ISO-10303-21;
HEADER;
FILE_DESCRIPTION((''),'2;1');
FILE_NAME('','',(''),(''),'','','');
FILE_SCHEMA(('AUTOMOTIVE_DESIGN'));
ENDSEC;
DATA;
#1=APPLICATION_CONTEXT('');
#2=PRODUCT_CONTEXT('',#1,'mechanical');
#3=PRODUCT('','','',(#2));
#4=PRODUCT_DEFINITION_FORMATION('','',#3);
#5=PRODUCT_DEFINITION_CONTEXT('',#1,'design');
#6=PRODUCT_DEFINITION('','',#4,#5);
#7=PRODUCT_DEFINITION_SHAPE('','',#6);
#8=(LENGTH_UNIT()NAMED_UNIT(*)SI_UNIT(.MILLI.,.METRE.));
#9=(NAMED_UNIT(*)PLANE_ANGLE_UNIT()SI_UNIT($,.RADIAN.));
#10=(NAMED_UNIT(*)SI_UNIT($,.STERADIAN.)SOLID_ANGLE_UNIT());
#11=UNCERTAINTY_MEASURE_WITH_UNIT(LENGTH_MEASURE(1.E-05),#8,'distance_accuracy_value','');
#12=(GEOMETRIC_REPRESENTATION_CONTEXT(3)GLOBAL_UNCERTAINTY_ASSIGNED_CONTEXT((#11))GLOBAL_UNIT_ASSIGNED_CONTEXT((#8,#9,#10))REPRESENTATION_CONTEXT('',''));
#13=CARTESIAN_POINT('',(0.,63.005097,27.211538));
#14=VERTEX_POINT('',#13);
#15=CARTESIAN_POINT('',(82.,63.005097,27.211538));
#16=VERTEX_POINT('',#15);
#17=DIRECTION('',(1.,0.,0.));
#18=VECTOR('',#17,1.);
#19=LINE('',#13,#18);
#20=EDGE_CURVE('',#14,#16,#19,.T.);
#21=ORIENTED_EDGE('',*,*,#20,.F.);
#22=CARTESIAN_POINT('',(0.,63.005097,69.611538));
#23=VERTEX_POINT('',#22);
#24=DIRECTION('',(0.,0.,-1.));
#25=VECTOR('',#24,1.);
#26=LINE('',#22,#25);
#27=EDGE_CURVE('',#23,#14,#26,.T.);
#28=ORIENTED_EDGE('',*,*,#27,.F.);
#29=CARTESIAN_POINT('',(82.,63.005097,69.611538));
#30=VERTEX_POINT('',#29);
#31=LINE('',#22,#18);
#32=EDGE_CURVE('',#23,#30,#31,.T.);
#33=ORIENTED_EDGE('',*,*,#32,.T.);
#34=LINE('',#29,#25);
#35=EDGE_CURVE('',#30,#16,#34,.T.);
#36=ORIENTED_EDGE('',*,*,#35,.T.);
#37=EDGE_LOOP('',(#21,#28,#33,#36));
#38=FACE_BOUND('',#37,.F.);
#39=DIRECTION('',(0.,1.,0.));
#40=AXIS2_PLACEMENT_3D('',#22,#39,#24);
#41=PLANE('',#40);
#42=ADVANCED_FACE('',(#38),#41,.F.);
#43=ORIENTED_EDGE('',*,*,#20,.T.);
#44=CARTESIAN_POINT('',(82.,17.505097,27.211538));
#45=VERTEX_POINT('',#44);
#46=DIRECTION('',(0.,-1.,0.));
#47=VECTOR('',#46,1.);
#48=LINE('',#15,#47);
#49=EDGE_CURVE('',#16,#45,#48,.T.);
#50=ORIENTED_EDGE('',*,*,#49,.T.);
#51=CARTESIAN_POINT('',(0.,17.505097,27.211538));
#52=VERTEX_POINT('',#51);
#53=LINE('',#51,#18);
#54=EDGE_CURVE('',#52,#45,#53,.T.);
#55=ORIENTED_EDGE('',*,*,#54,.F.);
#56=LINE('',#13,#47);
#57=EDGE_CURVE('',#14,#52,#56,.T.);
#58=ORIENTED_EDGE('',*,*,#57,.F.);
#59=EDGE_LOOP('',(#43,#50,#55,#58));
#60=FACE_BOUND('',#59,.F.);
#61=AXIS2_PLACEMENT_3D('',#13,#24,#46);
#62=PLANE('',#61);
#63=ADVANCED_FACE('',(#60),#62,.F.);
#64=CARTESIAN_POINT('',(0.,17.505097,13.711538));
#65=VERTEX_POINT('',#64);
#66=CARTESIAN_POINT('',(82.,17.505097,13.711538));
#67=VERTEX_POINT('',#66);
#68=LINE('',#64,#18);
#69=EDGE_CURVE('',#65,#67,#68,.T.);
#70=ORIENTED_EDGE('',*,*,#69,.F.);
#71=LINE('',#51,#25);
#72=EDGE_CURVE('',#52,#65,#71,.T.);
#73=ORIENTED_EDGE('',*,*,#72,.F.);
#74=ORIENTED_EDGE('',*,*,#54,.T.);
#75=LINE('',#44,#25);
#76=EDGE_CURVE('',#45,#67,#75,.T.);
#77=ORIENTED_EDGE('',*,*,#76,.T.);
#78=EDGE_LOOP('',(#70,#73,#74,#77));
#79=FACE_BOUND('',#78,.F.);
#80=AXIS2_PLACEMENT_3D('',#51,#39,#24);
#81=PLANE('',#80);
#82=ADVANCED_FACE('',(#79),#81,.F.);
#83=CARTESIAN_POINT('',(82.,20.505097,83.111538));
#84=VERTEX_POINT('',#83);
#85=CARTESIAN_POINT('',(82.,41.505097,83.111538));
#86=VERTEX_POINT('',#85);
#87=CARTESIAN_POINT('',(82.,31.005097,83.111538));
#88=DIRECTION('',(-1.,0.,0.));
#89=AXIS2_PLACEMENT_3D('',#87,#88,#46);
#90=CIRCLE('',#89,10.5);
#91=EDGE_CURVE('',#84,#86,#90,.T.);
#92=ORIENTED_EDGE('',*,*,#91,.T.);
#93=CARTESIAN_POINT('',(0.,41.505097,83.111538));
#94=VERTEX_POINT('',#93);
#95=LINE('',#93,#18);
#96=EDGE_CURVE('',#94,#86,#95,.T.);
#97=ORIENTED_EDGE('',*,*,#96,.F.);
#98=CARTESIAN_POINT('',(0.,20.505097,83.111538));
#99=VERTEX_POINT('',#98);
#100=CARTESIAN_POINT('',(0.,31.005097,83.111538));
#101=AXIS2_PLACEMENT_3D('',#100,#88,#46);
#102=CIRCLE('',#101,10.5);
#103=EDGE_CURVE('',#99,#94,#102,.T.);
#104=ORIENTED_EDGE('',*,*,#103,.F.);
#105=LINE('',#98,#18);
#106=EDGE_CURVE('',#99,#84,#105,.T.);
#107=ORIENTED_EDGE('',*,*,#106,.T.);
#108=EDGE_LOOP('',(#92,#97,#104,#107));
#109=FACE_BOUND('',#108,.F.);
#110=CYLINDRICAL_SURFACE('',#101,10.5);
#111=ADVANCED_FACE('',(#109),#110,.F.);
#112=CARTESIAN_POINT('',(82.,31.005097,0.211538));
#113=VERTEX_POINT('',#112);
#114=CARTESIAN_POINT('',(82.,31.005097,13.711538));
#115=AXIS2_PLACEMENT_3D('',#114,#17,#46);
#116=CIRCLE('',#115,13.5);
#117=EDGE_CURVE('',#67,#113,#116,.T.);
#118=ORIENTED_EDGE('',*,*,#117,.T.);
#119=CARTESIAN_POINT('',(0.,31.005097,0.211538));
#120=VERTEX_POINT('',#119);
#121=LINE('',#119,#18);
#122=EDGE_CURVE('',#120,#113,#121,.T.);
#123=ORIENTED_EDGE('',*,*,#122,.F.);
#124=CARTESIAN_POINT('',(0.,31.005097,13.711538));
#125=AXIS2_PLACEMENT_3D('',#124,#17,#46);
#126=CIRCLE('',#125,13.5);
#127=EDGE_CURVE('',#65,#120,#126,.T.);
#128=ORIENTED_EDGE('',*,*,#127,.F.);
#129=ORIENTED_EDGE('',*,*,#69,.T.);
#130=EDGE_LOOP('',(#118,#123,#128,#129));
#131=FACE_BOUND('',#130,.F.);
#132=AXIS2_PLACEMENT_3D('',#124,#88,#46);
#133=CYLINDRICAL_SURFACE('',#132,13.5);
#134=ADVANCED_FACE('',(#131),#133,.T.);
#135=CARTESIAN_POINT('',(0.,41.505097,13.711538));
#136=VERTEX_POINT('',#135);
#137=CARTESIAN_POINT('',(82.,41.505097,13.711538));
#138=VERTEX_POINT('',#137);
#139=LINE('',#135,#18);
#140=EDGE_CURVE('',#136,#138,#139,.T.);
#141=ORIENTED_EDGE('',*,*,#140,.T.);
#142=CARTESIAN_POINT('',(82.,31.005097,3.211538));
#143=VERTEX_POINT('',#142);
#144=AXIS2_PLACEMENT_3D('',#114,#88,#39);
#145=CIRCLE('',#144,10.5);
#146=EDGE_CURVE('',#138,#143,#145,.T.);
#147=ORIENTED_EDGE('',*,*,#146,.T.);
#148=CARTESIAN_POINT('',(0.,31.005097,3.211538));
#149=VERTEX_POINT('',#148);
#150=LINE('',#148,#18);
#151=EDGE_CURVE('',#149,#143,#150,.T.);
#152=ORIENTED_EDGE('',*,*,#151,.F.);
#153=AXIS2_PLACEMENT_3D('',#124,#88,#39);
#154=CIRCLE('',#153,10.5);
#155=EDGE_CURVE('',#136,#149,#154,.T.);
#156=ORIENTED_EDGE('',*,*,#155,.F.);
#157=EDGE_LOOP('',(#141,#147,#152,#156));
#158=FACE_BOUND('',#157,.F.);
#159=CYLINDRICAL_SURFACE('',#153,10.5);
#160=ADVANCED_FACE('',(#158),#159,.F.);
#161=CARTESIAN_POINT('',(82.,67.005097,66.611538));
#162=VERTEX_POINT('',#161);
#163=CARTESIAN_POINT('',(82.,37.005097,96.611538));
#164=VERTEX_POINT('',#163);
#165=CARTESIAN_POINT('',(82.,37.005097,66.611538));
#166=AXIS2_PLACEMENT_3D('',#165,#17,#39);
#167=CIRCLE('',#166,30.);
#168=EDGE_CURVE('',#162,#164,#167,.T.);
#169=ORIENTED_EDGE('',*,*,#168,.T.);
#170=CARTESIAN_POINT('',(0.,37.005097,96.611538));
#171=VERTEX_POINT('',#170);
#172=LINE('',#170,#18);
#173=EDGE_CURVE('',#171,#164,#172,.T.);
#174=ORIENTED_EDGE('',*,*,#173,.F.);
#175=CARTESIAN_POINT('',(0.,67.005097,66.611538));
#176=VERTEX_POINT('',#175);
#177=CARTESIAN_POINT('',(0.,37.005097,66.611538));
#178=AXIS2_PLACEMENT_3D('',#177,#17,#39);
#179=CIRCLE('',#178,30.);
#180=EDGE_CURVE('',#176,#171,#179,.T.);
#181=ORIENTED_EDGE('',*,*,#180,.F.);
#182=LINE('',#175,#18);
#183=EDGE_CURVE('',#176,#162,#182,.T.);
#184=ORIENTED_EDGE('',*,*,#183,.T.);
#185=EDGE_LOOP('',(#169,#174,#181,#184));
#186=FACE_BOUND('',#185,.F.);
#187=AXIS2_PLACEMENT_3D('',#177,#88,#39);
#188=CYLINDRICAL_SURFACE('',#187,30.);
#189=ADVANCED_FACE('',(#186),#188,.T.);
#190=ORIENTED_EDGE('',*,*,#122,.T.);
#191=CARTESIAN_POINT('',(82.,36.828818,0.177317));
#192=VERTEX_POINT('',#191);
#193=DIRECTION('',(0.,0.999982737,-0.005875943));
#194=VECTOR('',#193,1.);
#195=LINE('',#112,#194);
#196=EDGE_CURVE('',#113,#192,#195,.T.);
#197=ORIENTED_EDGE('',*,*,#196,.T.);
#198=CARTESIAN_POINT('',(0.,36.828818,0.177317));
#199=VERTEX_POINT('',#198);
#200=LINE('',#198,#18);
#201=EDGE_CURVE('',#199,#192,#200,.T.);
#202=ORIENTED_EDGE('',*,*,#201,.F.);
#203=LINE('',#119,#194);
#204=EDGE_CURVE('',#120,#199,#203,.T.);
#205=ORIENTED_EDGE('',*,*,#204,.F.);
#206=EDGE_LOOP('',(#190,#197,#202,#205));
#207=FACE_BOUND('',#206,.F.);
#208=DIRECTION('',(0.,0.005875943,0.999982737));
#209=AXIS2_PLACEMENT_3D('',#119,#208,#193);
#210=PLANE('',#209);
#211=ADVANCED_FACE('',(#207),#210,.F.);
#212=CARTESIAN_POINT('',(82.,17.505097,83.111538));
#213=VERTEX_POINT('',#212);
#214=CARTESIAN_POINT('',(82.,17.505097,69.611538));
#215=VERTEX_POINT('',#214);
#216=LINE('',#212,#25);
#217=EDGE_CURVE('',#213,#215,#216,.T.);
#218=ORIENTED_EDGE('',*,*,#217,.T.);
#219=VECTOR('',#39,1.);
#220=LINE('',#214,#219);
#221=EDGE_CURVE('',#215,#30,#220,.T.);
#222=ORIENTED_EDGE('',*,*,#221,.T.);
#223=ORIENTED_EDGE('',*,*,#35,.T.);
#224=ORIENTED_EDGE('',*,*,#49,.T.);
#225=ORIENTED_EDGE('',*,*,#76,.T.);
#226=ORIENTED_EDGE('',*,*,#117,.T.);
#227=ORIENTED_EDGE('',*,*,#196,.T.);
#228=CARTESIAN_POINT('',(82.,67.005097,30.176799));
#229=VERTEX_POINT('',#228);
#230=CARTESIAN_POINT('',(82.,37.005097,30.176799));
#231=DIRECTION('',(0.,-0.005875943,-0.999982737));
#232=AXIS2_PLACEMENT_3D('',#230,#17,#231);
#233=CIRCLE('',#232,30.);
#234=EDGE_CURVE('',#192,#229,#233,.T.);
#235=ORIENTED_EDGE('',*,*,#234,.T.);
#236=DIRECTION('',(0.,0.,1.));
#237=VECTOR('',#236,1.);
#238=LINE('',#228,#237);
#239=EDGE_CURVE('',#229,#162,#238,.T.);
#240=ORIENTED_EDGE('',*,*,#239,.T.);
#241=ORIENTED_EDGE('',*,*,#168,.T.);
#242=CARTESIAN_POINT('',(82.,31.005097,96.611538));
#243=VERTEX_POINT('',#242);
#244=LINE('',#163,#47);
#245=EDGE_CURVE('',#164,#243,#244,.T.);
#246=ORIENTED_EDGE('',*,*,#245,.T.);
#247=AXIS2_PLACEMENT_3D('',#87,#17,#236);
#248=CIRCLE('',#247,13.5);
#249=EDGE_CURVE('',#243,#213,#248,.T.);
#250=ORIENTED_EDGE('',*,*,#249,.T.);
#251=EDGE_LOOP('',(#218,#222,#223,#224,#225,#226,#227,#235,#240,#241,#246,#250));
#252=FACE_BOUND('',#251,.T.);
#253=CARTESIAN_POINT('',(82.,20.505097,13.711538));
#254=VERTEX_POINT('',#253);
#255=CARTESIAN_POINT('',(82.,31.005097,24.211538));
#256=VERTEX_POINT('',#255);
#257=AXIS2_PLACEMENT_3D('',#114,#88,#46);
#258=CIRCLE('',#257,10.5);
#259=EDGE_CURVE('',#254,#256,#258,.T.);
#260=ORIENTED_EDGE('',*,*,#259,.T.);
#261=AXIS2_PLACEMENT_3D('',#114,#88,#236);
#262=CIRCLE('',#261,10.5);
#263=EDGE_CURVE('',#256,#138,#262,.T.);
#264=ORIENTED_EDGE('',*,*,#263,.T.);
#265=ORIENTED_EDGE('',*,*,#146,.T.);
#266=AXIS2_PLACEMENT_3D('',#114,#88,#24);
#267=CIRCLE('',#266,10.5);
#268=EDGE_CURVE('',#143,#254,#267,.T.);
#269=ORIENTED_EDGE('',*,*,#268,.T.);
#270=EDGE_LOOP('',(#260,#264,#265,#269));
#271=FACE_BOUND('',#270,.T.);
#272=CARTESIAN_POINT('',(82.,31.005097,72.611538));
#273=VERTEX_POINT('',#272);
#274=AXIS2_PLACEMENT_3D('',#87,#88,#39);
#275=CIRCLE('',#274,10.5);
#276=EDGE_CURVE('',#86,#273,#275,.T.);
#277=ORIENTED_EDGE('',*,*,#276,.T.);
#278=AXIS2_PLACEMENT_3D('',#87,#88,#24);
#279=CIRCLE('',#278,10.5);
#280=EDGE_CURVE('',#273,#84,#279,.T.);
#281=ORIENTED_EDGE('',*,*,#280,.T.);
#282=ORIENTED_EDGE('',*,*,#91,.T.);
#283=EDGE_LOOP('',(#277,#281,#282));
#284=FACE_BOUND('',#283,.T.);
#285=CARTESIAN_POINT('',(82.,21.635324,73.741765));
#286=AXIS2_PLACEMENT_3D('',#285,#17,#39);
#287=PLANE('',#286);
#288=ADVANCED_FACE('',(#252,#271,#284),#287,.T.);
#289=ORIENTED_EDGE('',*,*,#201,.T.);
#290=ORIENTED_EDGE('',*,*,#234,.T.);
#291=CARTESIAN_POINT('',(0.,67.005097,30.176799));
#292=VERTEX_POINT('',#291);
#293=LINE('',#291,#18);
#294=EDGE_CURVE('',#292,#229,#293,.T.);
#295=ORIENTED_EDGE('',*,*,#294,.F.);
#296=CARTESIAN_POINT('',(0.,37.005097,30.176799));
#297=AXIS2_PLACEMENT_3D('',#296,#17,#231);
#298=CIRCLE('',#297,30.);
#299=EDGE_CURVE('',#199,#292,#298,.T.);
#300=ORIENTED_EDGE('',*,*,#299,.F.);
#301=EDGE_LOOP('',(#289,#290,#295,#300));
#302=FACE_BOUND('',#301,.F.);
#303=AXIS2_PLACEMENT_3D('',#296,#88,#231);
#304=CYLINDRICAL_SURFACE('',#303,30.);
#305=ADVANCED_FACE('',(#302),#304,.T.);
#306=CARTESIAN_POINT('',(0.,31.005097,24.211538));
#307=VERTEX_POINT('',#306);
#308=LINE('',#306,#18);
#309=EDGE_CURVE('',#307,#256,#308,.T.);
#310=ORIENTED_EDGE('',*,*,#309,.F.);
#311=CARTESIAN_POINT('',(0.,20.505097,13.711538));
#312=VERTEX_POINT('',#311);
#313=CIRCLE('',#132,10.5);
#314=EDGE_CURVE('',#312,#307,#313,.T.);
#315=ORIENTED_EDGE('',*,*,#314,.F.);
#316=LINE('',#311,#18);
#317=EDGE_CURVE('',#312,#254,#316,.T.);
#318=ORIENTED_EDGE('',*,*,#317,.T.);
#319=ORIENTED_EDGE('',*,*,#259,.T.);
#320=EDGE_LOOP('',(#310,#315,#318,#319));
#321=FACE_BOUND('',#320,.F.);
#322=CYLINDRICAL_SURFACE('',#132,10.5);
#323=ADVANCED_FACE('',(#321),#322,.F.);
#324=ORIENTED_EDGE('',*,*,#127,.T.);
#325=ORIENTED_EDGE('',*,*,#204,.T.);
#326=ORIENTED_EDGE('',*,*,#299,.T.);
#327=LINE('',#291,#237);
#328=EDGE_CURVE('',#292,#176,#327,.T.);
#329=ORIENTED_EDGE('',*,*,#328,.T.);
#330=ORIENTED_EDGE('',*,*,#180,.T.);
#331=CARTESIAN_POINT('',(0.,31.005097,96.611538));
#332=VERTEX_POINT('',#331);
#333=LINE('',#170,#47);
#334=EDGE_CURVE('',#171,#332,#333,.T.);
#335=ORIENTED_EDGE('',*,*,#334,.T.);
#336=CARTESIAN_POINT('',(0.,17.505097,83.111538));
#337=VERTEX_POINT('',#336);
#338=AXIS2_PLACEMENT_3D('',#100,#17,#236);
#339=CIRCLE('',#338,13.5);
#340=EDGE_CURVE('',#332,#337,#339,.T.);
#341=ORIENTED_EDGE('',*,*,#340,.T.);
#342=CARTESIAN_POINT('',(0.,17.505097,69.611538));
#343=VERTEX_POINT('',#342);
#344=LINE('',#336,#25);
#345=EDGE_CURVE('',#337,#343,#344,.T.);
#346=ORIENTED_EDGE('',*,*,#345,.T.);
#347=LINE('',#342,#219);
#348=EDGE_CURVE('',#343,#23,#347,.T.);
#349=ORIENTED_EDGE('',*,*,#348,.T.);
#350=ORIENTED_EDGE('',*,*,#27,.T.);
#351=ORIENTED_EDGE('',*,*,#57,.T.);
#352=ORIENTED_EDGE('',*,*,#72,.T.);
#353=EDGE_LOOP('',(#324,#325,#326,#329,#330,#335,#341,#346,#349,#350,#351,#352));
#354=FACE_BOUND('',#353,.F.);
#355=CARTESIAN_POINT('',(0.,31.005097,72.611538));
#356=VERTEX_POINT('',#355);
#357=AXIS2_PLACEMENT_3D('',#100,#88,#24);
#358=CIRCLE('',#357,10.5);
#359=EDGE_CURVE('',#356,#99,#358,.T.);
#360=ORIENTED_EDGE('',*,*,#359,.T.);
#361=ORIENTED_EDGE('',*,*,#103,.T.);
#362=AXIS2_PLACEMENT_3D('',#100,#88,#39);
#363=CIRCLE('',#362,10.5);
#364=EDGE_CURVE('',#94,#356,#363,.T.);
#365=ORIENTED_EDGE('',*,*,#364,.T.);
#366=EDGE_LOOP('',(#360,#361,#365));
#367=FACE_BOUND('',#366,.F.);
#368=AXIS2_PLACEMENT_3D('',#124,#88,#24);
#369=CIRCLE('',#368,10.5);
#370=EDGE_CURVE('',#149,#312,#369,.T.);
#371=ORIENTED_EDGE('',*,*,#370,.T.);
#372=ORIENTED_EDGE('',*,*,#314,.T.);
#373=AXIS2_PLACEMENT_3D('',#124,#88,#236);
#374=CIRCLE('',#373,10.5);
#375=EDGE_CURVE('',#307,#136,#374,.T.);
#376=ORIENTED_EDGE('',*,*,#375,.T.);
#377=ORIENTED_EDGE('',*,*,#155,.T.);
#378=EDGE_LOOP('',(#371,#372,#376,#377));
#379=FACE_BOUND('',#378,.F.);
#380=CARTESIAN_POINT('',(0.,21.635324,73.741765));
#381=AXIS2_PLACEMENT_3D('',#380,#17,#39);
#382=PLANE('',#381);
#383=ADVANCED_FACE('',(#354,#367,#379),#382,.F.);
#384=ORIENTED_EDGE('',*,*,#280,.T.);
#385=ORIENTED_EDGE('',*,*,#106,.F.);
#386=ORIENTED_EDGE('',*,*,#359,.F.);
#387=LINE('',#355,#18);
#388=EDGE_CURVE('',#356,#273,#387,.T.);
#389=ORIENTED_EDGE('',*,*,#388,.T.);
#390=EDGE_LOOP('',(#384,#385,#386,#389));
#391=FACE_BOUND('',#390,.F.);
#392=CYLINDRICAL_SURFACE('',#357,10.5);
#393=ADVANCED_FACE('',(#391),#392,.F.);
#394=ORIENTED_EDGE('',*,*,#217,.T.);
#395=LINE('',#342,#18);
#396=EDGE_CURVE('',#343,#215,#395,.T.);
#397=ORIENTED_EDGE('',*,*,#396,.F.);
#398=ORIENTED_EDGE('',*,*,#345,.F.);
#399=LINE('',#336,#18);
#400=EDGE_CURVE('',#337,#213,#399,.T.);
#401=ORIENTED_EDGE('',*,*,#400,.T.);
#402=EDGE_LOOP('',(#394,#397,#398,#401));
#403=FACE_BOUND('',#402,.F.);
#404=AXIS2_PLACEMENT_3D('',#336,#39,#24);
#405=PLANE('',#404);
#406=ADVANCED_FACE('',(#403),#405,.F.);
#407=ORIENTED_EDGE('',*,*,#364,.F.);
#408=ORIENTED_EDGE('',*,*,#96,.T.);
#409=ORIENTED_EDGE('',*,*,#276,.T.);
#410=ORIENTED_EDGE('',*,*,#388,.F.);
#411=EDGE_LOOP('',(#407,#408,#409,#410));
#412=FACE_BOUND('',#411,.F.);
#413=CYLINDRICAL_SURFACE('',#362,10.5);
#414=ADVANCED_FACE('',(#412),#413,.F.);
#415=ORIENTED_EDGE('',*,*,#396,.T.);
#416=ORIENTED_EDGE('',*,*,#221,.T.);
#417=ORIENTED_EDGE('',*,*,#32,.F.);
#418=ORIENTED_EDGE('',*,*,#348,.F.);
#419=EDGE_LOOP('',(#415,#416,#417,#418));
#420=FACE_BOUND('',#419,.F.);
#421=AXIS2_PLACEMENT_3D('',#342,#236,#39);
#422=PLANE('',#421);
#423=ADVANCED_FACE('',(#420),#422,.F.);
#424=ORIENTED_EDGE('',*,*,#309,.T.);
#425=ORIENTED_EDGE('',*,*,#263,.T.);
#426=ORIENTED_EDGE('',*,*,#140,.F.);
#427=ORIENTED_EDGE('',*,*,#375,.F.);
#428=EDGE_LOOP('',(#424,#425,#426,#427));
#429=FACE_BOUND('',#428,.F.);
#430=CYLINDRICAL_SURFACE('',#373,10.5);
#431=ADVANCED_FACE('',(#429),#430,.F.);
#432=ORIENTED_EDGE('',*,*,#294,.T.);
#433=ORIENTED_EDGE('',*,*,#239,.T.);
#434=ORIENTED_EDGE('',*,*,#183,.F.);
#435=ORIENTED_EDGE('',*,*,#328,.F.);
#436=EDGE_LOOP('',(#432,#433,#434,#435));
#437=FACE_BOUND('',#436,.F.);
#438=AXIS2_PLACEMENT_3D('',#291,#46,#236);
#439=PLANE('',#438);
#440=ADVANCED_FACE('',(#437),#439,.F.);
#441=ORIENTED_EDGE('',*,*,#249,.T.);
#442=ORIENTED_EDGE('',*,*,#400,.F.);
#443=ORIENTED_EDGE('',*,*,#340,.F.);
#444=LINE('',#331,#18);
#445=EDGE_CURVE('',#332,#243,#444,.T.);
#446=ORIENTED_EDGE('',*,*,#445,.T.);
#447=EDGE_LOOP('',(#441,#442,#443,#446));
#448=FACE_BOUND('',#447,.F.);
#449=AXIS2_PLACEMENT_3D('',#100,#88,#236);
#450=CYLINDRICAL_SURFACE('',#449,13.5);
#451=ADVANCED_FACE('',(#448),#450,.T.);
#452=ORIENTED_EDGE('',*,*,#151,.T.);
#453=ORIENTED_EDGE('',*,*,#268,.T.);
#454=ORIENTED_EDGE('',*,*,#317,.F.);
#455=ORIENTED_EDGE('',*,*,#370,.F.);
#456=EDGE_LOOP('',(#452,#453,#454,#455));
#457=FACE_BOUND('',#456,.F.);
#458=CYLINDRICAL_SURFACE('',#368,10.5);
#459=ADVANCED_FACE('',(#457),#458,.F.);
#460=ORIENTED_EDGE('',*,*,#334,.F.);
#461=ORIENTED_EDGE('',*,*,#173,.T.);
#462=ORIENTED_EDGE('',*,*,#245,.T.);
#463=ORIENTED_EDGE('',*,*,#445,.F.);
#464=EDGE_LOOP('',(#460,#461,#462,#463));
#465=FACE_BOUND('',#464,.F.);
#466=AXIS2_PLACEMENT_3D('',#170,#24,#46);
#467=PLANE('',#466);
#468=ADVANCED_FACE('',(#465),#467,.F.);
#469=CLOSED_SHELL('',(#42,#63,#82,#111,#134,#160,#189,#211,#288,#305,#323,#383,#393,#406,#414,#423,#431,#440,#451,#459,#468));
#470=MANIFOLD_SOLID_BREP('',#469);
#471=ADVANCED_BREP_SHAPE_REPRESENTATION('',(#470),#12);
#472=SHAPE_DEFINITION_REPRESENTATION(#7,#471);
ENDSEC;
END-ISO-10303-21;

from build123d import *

# Parameters (mm, degrees)
F1_DEPTH = 82


with BuildPart() as f1:
    # F0 (on Right) → F1 (new body)
    with BuildSketch(Plane.YZ):
        with BuildLine():
            Line((17.505096594, 69.6115375847), (31.005096594, 69.6115375847))
            ThreePointArc((31.005096594, 69.6115375847), (21.459155048, 73.5655960386), (17.505096594, 83.1115375847))
            Line((17.505096594, 83.1115375847), (17.505096594, 69.6115375847))
        make_face()
        with BuildLine():
            ThreePointArc((17.505096594, 13.7115375847), (21.459155048, 23.2574791307), (31.005096594, 27.2115375847))
            Line((31.005096594, 27.2115375847), (17.505096594, 27.2115375847))
            Line((17.505096594, 27.2115375847), (17.505096594, 13.7115375847))
        make_face()
        with BuildLine():
            Line((31.005096594, 0.2115375847), (31.005096594, 3.2115375847))
            ThreePointArc((31.005096594, 3.2115375847), (23.5804753915, 6.2869163822), (20.505096594, 13.7115375847))
            Line((20.505096594, 13.7115375847), (17.505096594, 13.7115375847))
            ThreePointArc((17.505096594, 13.7115375847), (21.459155048, 4.1655960386), (31.005096594, 0.2115375847))
        make_face()
        with BuildLine():
            ThreePointArc((20.505096594, 13.7115375847), (23.5804753915, 21.1361587871), (31.005096594, 24.2115375847))
            Line((31.005096594, 24.2115375847), (31.005096594, 27.2115375847))
            ThreePointArc((31.005096594, 27.2115375847), (21.459155048, 23.2574791307), (17.505096594, 13.7115375847))
            Line((17.505096594, 13.7115375847), (20.505096594, 13.7115375847))
        make_face()
        with BuildLine():
            Line((44.505096594, 13.7115375847), (41.505096594, 13.7115375847))
            ThreePointArc((41.505096594, 13.7115375847), (38.4297177964, 6.2869163822), (31.005096594, 3.2115375847))
            Line((31.005096594, 3.2115375847), (31.005096594, 0.2115375847))
            ThreePointArc((31.005096594, 0.2115375847), (40.55103814, 4.1655960386), (44.505096594, 13.7115375847))
        make_face()
        with BuildLine():
            ThreePointArc((31.005096594, 96.6115375847), (21.459155048, 92.6574791307), (17.505096594, 83.1115375847))
            Line((17.505096594, 83.1115375847), (20.505096594, 83.1115375847))
            ThreePointArc((20.505096594, 83.1115375847), (31.005096594, 93.6115375847), (41.505096594, 83.1115375847))
            Line((41.505096594, 83.1115375847), (44.505096594, 83.1115375847))
            ThreePointArc((44.505096594, 83.1115375847), (40.55103814, 92.6574791307), (31.005096594, 96.6115375847))
        make_face()
        with BuildLine():
            ThreePointArc((17.505096594, 83.1115375847), (21.459155048, 73.5655960386), (31.005096594, 69.6115375847))
            Line((31.005096594, 69.6115375847), (31.005096594, 72.6115375847))
            ThreePointArc((31.005096594, 72.6115375847), (23.5804753915, 75.6869163822), (20.505096594, 83.1115375847))
            Line((20.505096594, 83.1115375847), (17.505096594, 83.1115375847))
        make_face()
        with BuildLine():
            Line((44.505096594, 27.2115375847), (44.505096594, 13.7115375847))
            ThreePointArc((44.505096594, 13.7115375847), (40.55103814, 4.1655960386), (31.005096594, 0.2115375847))
            Line((31.005096594, 0.2115375847), (36.8288183167, 0.1773171395))
            ThreePointArc((36.8288183167, 0.1773171395), (58.1558844242, 8.901363301), (67.005096594, 30.1767992345))
            Line((67.005096594, 30.1767992345), (67.005096594, 66.6115375847))
            ThreePointArc((67.005096594, 66.6115375847), (58.2183000296, 87.8247410203), (37.005096594, 96.6115375847))
            Line((37.005096594, 96.6115375847), (31.005096594, 96.6115375847))
            ThreePointArc((31.005096594, 96.6115375847), (40.55103814, 92.6574791307), (44.505096594, 83.1115375847))
            Line((44.505096594, 83.1115375847), (44.505096594, 69.6115375847))
            Line((44.505096594, 69.6115375847), (63.005096594, 69.6115375847))
            Line((63.005096594, 69.6115375847), (63.005096594, 27.2115375847))
            Line((63.005096594, 27.2115375847), (44.505096594, 27.2115375847))
        make_face()
        with BuildLine():
            ThreePointArc((31.005096594, 27.2115375847), (40.55103814, 23.2574791307), (44.505096594, 13.7115375847))
            Line((44.505096594, 13.7115375847), (44.505096594, 27.2115375847))
            Line((44.505096594, 27.2115375847), (31.005096594, 27.2115375847))
        make_face()
        with BuildLine():
            ThreePointArc((31.005096594, 24.2115375847), (38.4297177964, 21.1361587871), (41.505096594, 13.7115375847))
            Line((41.505096594, 13.7115375847), (44.505096594, 13.7115375847))
            ThreePointArc((44.505096594, 13.7115375847), (40.55103814, 23.2574791307), (31.005096594, 27.2115375847))
            Line((31.005096594, 27.2115375847), (31.005096594, 24.2115375847))
        make_face()
        with BuildLine():
            ThreePointArc((44.505096594, 83.1115375847), (40.55103814, 73.5655960386), (31.005096594, 69.6115375847))
            Line((31.005096594, 69.6115375847), (44.505096594, 69.6115375847))
            Line((44.505096594, 69.6115375847), (44.505096594, 83.1115375847))
        make_face()
        with BuildLine():
            Line((31.005096594, 72.6115375847), (31.005096594, 69.6115375847))
            ThreePointArc((31.005096594, 69.6115375847), (40.55103814, 73.5655960386), (44.505096594, 83.1115375847))
            Line((44.505096594, 83.1115375847), (41.505096594, 83.1115375847))
            ThreePointArc((41.505096594, 83.1115375847), (38.4297177964, 75.6869163822), (31.005096594, 72.6115375847))
        make_face()
    extrude(amount=F1_DEPTH)


solid = f1.part
